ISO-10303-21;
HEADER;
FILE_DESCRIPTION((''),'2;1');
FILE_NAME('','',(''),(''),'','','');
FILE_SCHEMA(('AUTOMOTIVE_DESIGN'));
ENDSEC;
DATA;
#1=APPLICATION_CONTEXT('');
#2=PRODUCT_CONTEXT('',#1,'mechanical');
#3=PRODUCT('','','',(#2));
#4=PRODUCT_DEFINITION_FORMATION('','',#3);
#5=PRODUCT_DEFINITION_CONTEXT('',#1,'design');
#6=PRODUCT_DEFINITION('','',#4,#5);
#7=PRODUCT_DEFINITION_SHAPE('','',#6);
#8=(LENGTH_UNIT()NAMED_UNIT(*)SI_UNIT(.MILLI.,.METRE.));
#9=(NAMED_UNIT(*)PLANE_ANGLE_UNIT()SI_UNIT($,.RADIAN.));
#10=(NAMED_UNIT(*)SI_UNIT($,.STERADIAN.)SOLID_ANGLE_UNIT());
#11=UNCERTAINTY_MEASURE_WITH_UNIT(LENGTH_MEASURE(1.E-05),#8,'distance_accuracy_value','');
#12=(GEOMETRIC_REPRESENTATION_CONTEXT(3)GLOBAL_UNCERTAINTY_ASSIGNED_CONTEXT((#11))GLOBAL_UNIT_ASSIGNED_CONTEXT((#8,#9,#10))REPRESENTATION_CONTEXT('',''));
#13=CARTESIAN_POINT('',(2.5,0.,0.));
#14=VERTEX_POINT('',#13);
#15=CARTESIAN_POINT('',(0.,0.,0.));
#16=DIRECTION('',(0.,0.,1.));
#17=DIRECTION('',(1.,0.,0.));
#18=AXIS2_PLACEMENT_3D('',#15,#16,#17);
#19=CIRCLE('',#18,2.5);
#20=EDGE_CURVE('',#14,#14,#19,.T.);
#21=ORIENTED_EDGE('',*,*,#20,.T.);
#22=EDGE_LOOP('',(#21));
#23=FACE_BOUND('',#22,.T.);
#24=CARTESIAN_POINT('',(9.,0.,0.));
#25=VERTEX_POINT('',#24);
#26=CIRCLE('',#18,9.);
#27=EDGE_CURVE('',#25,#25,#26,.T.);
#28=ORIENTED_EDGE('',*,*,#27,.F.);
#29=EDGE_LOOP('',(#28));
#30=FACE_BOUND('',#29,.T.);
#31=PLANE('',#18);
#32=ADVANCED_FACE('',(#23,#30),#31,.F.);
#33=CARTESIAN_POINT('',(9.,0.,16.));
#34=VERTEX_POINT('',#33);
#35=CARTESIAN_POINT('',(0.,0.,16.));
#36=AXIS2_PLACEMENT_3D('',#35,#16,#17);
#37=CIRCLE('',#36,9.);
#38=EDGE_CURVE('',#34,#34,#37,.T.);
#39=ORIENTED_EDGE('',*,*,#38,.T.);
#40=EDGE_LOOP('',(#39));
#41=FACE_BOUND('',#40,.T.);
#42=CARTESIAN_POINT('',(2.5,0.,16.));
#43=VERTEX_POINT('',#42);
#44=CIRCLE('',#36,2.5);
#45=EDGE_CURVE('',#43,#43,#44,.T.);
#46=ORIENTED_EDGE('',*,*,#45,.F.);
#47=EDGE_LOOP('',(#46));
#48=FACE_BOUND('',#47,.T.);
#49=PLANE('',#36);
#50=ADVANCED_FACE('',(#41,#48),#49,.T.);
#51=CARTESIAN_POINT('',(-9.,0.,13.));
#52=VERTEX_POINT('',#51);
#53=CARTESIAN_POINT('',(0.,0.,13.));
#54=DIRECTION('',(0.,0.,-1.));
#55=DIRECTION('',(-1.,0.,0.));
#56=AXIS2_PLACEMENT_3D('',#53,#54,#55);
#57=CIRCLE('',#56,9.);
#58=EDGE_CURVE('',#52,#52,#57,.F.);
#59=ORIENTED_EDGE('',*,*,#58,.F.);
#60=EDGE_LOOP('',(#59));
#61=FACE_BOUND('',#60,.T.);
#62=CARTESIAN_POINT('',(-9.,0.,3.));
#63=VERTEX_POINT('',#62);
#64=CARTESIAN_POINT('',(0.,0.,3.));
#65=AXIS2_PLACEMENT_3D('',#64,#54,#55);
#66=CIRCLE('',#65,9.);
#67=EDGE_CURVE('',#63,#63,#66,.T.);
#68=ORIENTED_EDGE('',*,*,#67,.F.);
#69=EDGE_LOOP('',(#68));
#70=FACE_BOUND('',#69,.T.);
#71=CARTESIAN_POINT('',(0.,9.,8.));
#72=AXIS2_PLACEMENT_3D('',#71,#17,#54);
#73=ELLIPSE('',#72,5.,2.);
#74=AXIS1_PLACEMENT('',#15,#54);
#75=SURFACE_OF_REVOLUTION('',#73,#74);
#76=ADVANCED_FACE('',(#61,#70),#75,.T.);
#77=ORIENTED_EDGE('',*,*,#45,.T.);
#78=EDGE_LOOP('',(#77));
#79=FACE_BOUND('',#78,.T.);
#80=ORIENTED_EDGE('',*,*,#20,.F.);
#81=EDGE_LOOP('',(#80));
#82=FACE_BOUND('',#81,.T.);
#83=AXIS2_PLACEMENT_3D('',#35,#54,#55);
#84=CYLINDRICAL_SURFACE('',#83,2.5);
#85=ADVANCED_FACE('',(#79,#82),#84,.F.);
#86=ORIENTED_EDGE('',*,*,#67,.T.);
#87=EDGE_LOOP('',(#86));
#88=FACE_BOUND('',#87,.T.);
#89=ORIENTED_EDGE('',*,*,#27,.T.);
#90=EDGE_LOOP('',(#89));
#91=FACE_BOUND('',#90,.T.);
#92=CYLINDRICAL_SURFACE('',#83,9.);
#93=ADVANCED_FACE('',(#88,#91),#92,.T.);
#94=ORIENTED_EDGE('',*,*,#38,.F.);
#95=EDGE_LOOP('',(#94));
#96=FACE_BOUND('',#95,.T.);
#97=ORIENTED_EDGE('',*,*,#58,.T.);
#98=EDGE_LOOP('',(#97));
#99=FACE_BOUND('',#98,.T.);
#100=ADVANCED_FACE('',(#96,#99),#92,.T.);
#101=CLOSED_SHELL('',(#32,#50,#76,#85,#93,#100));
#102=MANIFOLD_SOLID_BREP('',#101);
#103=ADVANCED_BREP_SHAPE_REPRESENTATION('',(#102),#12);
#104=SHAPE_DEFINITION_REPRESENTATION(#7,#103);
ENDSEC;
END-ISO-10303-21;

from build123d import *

# Parameters (mm, degrees)
SKETCH1_R           = 9
SKETCH1_R_2         = 2.5
BOSS_EXTRUDE1_DEPTH = 16
SKETCH2_RX          = 5
SKETCH2_RY          = 2


with BuildPart() as part:
    # Sketch1 → Boss-Extrude1 (new body)
    with BuildSketch(Plane.XY):
        Circle(SKETCH1_R)
        Circle(SKETCH1_R_2, mode=Mode.SUBTRACT)
    extrude(amount=BOSS_EXTRUDE1_DEPTH)

    # Sketch2 → Cut-Revolve1 (revolve, cut)
    with BuildSketch(Plane(origin=(0, 0, 0), x_dir=(0, 0, -1), z_dir=(1, 0, 0)), mode=Mode.PRIVATE) as cut_revolve1_sk:
        with Locations(Location((-8, 9), (0, 0, 180))):
            Ellipse(SKETCH2_RX, SKETCH2_RY)
    revolve(cut_revolve1_sk.sketch.rotate(Axis((0, 0, 0), (0, 0, 1)), 90), axis=Axis((0, 0, 0), (0, 0, 1)), mode=Mode.SUBTRACT)


solid = part.part
